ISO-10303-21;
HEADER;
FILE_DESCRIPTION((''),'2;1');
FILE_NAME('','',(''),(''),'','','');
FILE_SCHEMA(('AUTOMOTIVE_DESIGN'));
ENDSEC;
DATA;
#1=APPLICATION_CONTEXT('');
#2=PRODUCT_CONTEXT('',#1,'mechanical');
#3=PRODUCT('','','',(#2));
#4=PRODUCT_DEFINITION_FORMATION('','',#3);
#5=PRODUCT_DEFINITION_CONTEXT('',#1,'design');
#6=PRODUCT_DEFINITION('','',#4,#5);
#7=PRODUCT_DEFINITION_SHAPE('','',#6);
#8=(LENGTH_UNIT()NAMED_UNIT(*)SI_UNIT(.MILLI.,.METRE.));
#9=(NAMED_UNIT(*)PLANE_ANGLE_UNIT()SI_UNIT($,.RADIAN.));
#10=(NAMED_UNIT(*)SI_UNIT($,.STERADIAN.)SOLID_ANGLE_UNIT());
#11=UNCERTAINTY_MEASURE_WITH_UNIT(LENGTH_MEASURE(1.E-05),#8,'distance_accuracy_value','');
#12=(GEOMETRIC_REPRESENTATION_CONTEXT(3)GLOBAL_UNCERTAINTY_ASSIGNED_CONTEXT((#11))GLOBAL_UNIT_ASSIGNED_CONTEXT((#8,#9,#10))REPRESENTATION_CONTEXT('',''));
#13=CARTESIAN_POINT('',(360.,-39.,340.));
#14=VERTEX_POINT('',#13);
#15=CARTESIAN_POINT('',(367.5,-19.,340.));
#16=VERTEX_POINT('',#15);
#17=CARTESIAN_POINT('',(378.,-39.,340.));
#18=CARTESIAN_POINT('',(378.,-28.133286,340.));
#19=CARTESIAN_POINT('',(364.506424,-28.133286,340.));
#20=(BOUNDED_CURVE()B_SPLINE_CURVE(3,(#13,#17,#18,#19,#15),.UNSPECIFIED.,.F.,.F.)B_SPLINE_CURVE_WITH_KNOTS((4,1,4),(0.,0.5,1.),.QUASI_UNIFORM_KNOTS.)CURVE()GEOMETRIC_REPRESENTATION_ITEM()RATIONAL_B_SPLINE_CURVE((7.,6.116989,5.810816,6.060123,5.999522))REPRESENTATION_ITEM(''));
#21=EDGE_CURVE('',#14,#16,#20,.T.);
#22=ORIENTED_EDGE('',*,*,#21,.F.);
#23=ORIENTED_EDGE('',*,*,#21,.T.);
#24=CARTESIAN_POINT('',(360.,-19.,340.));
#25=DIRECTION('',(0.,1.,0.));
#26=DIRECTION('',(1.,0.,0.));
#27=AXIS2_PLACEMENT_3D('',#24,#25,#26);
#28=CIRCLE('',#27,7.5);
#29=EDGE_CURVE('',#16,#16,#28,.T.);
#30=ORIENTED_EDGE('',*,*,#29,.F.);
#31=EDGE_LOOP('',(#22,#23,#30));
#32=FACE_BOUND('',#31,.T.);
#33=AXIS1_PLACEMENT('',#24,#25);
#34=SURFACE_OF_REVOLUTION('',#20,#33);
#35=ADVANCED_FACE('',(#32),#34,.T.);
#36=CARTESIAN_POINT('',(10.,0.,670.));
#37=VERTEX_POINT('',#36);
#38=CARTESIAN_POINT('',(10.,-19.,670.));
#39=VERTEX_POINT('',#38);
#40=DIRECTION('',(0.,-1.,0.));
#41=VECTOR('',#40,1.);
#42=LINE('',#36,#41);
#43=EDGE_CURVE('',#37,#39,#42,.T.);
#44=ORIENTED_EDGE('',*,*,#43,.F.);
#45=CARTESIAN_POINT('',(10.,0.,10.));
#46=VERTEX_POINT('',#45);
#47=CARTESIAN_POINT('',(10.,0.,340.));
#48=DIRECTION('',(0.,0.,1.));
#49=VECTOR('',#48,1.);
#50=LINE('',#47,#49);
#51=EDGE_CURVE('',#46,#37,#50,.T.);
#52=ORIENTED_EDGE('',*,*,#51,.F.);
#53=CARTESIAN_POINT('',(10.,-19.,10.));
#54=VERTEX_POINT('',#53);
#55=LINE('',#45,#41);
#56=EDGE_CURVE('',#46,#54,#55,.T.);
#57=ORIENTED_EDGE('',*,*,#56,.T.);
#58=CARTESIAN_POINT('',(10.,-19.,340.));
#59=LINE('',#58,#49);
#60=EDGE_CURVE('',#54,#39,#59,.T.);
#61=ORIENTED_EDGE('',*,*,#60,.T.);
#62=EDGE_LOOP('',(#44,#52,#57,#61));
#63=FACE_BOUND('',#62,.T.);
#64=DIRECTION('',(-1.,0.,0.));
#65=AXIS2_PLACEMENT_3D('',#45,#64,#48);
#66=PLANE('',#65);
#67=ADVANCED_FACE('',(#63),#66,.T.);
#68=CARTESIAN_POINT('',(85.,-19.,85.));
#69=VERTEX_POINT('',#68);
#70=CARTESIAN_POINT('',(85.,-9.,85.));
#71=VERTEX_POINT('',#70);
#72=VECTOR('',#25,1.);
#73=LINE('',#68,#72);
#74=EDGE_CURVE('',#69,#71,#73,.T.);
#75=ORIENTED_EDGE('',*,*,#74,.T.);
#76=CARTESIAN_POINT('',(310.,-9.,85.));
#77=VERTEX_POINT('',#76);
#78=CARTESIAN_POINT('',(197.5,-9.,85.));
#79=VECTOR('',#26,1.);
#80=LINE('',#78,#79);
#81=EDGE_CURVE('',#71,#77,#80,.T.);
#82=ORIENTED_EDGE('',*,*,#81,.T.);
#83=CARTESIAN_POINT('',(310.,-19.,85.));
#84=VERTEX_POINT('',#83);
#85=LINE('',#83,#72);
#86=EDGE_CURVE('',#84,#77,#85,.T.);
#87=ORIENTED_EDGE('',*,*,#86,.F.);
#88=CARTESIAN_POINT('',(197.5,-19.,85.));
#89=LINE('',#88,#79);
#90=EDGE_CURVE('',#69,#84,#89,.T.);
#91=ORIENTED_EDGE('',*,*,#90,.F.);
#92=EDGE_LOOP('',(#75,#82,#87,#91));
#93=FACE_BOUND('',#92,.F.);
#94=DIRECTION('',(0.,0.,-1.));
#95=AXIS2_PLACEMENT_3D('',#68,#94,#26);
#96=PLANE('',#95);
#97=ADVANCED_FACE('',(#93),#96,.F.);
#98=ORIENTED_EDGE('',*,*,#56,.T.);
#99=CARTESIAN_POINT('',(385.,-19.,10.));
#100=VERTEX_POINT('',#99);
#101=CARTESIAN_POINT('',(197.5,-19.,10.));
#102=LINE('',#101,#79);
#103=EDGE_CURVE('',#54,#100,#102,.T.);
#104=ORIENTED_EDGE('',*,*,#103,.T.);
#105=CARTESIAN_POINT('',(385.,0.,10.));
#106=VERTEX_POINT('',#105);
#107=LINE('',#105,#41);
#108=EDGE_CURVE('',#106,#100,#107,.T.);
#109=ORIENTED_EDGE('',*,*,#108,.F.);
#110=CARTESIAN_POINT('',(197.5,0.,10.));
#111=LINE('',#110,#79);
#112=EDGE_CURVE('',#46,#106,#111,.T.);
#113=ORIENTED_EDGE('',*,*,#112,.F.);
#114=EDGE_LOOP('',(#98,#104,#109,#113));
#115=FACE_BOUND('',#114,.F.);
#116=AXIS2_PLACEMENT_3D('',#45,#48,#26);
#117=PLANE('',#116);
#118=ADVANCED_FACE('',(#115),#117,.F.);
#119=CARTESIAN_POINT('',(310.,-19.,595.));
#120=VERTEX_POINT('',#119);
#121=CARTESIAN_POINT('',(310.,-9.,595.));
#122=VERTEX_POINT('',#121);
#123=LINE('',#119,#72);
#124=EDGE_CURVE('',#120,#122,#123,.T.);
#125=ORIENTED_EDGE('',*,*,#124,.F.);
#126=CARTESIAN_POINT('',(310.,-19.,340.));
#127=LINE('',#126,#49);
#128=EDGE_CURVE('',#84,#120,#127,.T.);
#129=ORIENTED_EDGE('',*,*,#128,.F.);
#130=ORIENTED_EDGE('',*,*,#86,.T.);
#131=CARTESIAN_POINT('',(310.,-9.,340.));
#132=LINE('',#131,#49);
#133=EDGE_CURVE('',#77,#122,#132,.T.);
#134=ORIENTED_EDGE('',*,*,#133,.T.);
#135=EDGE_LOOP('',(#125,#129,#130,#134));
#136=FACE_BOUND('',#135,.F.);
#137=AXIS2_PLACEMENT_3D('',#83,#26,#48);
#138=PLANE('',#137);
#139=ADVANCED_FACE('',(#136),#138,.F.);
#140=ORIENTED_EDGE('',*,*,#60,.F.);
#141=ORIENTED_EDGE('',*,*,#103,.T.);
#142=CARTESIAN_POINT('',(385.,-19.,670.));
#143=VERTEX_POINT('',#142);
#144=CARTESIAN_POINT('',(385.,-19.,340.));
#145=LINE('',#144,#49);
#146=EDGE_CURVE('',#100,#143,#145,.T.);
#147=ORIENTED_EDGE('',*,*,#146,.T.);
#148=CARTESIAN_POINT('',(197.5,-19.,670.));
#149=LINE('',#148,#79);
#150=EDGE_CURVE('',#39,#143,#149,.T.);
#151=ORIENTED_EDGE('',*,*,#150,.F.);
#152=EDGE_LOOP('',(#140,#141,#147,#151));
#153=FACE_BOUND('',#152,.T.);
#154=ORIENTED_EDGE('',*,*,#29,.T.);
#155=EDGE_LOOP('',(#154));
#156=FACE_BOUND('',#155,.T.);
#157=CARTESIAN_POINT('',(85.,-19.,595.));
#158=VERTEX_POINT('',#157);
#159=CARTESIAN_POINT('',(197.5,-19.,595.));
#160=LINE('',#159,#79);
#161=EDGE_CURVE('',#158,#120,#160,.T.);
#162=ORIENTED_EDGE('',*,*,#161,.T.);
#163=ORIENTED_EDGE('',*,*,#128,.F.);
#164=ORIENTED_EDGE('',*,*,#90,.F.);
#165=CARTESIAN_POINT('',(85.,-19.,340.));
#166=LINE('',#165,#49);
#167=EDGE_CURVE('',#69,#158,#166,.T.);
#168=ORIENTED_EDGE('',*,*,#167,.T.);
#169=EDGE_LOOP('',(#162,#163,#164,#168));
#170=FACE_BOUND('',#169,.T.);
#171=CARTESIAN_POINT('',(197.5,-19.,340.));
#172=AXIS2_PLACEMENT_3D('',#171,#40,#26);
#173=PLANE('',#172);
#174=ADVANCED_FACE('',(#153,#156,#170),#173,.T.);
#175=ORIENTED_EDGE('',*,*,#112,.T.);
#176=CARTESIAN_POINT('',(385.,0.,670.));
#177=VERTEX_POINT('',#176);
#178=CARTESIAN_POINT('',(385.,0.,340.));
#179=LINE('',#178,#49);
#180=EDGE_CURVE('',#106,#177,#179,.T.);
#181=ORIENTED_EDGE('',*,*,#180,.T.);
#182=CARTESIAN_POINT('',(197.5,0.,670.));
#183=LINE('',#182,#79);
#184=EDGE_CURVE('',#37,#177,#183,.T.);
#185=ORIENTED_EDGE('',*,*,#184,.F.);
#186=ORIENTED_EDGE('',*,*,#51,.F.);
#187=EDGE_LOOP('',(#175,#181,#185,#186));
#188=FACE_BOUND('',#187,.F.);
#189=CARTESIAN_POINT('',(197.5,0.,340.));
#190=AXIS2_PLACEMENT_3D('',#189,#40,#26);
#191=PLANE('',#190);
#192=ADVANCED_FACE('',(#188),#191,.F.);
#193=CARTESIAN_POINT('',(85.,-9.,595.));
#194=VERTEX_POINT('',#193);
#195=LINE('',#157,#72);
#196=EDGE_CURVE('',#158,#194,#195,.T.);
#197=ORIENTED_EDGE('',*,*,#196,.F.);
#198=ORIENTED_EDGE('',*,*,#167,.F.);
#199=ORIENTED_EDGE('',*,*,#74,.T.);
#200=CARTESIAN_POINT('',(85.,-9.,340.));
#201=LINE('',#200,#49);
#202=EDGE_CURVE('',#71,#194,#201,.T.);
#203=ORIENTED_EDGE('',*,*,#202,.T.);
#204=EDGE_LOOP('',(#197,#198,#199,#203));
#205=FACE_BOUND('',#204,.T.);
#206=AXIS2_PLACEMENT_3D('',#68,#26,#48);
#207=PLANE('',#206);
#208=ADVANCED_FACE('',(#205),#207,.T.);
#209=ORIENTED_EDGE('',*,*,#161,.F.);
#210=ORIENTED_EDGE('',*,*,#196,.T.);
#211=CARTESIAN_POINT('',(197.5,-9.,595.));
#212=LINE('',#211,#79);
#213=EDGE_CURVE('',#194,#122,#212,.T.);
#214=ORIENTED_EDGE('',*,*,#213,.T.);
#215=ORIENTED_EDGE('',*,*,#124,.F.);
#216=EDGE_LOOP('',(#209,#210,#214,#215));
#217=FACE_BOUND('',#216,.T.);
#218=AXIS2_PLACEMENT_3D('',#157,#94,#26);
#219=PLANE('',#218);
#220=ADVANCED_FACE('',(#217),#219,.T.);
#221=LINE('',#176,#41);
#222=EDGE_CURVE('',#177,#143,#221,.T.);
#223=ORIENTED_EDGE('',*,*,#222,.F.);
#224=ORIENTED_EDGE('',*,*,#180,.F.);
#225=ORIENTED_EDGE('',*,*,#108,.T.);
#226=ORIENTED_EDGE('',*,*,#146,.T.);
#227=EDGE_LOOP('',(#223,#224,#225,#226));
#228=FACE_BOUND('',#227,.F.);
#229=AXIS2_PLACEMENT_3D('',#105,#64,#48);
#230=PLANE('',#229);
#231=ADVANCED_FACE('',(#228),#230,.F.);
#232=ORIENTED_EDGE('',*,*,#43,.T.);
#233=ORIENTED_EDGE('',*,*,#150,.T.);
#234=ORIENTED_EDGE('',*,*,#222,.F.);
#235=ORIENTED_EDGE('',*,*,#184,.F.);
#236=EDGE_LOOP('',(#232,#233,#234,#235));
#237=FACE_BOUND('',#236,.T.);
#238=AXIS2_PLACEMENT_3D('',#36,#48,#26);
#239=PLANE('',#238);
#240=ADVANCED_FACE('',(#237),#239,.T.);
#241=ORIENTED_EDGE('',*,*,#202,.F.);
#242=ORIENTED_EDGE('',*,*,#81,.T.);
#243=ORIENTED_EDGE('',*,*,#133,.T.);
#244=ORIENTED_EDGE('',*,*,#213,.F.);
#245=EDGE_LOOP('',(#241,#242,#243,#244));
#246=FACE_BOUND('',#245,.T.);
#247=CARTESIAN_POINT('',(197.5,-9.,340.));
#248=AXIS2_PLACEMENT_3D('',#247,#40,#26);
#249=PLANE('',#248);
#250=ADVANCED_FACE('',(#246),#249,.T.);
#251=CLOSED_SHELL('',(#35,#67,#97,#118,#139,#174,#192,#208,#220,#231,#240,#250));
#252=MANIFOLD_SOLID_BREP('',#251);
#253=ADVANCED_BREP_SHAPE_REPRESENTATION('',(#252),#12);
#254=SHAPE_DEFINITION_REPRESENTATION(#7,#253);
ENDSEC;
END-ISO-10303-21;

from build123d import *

# Parameters (mm, degrees)
CLONE2D_W       = 375
CLONE2D_H       = 660
PAD010_DEPTH    = 19
SKETCH026_W     = 225
SKETCH026_H     = 510
POCKET010_DEPTH = 10


with BuildPart() as part:
    # Clone2D → Pad010 (new body)
    with BuildSketch(Plane.XZ):
        with Locations((187.5, 330)):
            Rectangle(CLONE2D_W, CLONE2D_H)
    extrude(amount=PAD010_DEPTH)

    # Sketch026 (on Face6 of Pad010) → Pocket010 (cut)
    with BuildSketch(Plane.XZ.offset(19)):
        with Locations((187.5, 330)):
            Rectangle(SKETCH026_W, SKETCH026_H)
    extrude(amount=-POCKET010_DEPTH, mode=Mode.SUBTRACT)

    # Clone2D001 (on Face1 of Pocket010) → Revolution (revolve)
    with BuildSketch(Plane(origin=(350, -19, 330), x_dir=(-1, 0, 0), z_dir=(0, 0, -1))):
        with BuildLine():
            Line((0, 0), (0, -20))
            add(Edge.make_bspline(
                [(0, -20), (-18, -20), (-18, -9.133286), (-4.506424, -9.133286), (-7.5, 0)],
                knots=[0, 0, 0, 0, 0.5, 1, 1, 1, 1], degree=3, weights=[7, 6.116989, 5.810816, 6.060123, 5.999522]))
            Line((-7.5, 0), (0, 0))
        make_face()
    revolve(axis=Axis((350, -19, 330), (0, 1, 0)))


with BuildPart() as part_1:
    # Body010 placement: moved
    add(part.part.moved(Location((10, 0, 10))))


solid = part_1.part
